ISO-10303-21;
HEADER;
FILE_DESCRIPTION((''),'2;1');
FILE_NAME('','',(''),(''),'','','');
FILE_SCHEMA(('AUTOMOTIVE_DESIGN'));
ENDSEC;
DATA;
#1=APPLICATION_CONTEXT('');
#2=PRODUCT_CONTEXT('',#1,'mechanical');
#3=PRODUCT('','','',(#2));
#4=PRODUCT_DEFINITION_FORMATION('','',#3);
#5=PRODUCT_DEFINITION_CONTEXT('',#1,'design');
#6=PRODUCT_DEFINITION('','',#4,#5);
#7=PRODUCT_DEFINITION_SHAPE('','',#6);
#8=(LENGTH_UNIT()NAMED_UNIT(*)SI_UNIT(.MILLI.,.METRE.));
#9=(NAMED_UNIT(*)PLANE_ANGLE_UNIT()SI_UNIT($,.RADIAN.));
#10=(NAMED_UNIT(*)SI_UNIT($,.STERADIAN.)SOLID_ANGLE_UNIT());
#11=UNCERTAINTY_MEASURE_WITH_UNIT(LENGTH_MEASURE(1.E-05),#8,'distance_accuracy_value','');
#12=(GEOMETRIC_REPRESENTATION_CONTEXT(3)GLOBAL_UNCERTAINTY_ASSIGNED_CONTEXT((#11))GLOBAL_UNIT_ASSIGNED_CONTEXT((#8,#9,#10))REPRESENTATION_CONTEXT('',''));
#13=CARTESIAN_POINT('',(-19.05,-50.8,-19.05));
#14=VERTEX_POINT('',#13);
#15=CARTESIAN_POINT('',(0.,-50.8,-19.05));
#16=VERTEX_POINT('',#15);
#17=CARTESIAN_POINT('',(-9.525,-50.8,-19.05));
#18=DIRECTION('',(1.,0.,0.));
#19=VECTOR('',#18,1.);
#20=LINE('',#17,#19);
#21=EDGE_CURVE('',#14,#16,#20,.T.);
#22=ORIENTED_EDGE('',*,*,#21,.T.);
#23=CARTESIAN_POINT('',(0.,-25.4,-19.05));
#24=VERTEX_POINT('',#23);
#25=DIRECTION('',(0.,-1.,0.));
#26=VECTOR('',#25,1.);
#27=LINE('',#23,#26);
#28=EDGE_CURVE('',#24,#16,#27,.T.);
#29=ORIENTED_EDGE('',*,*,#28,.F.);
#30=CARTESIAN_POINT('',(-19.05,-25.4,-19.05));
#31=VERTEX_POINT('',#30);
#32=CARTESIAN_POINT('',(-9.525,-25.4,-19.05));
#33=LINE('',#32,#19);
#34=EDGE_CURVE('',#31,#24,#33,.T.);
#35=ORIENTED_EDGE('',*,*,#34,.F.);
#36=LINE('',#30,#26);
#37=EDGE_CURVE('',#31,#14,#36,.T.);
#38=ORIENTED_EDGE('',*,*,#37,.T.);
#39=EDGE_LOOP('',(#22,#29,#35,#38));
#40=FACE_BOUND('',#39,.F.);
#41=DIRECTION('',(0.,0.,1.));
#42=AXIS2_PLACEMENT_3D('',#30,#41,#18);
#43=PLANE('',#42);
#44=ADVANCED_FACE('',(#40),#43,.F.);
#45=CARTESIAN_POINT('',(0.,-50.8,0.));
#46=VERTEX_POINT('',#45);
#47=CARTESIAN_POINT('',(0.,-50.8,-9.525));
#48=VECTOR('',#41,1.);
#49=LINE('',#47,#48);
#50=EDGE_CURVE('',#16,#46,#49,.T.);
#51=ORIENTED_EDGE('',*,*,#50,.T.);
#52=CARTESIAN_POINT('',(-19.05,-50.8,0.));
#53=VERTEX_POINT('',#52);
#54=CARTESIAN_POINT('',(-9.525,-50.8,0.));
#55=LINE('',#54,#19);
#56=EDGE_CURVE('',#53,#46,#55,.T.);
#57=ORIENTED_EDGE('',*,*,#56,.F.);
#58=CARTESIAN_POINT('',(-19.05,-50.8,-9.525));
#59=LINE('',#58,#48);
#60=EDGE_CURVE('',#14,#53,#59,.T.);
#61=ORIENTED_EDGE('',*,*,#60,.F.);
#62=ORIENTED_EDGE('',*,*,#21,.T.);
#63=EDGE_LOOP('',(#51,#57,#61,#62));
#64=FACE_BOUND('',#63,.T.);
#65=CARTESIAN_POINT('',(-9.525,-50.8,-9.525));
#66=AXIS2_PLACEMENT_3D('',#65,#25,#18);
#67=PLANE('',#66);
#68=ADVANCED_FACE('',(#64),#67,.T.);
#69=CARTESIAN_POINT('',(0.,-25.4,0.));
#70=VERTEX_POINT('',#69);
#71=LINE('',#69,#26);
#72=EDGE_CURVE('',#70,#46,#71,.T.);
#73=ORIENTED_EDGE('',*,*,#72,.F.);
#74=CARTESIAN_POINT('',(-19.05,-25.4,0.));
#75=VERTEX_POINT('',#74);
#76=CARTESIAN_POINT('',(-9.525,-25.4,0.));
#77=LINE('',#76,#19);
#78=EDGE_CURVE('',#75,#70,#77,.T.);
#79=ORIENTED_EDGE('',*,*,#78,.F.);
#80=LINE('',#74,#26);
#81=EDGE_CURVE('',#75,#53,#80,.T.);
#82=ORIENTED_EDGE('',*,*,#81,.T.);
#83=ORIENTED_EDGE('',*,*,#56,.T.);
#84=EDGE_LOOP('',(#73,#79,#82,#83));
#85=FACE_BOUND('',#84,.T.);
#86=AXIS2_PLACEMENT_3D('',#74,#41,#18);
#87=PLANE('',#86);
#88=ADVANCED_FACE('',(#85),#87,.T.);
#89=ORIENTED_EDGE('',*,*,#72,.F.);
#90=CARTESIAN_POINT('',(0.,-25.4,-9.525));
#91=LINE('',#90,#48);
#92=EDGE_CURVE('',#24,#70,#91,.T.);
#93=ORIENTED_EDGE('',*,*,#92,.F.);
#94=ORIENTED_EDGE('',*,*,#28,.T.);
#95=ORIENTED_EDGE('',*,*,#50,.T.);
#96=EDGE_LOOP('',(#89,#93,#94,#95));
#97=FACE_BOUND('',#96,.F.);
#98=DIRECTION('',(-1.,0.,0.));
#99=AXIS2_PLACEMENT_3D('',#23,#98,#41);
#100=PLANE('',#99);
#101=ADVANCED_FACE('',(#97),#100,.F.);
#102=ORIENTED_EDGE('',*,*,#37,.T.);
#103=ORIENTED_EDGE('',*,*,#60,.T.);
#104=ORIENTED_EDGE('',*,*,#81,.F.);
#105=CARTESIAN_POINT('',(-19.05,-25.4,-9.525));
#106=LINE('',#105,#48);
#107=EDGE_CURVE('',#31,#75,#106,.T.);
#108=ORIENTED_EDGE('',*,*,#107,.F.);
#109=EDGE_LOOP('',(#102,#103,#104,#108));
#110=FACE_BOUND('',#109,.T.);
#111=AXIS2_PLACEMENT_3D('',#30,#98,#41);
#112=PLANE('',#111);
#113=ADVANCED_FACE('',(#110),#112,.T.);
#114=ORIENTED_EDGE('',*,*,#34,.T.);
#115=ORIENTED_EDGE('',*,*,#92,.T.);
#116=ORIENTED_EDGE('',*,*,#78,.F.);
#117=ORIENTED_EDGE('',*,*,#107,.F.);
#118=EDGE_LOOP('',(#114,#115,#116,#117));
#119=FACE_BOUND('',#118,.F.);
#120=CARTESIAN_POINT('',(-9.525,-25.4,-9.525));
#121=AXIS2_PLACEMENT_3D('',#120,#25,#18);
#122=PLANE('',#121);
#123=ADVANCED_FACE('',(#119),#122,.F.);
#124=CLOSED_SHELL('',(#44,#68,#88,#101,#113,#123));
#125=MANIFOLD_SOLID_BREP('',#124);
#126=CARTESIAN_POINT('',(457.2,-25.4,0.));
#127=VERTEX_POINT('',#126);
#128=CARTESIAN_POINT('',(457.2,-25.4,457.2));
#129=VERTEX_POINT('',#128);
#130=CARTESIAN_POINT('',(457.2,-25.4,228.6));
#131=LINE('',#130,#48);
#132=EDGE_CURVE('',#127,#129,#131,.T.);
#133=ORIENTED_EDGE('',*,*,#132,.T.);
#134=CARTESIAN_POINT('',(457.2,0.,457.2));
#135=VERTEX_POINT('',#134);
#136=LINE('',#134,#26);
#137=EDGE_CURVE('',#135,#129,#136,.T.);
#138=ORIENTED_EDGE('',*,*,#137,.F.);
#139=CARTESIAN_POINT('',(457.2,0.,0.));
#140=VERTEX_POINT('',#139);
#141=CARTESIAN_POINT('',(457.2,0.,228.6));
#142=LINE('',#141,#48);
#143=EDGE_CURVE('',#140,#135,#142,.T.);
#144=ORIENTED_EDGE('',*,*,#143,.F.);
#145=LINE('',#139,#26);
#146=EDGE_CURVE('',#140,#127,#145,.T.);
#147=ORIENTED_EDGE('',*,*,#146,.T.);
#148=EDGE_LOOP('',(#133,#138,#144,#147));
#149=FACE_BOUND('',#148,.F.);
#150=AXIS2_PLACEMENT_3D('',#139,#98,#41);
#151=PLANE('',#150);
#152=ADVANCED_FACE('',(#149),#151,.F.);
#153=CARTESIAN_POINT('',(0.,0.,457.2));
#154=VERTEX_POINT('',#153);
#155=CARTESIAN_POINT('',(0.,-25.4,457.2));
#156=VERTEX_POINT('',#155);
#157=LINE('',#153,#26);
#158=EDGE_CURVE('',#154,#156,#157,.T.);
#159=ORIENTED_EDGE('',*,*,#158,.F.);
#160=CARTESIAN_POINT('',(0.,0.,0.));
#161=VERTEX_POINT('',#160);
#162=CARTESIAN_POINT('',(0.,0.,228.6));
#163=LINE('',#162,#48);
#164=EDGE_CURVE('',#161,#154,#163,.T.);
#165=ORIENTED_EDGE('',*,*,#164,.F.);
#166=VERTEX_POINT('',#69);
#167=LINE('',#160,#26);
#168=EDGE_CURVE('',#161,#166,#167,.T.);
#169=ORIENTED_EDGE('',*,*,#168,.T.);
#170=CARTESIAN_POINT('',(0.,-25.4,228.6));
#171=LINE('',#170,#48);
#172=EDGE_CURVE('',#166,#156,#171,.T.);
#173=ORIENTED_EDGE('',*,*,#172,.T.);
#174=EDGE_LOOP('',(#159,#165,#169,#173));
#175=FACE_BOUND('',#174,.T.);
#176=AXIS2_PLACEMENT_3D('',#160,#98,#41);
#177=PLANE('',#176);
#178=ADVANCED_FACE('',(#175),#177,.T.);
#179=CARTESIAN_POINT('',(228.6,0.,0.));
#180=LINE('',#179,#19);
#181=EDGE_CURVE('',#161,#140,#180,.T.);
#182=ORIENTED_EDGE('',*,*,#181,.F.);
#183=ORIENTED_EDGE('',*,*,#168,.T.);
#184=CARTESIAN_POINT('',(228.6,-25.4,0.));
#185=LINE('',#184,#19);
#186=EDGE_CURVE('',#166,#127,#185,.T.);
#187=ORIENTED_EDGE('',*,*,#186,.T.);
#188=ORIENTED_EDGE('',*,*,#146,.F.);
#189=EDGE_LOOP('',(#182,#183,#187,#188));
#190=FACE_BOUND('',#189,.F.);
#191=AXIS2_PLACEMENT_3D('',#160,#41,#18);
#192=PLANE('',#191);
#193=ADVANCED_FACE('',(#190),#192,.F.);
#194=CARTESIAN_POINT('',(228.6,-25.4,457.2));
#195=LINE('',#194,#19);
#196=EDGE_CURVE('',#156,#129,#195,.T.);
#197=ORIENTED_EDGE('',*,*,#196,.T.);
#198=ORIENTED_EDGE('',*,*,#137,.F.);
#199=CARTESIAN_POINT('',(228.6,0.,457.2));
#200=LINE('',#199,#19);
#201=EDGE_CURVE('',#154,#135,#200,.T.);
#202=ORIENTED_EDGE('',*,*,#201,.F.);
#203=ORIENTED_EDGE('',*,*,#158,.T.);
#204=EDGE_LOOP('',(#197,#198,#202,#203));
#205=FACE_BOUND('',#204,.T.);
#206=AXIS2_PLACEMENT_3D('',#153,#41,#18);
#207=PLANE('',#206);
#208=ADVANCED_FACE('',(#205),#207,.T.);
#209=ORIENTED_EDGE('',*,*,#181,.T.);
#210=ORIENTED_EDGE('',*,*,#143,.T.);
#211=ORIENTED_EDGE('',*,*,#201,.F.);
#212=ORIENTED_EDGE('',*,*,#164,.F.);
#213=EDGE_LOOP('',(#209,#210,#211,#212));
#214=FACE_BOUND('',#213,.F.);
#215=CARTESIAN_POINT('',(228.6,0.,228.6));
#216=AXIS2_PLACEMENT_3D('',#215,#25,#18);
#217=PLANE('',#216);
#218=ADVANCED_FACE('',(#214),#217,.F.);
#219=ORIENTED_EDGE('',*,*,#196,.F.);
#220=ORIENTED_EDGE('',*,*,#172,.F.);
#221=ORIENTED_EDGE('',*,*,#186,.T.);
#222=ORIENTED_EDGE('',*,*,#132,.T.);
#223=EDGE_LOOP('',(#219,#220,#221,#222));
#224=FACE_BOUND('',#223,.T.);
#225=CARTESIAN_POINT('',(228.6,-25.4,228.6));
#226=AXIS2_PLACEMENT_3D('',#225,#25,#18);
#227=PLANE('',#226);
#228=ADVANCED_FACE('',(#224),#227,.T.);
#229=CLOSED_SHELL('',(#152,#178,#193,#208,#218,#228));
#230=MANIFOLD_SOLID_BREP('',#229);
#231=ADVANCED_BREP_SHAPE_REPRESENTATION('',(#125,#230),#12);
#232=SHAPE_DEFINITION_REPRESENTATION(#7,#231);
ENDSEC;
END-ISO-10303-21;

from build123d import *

# Parameters (mm, degrees)
F0_W     = 457.2
F0_H     = 457.2
F1_DEPTH = 25.4
F2_W     = 19.05
F2_H     = 19.05
F3_DEPTH = 25.4


with BuildPart() as f1:
    # F0 (on Front) → F1 (new body)
    with BuildSketch(Plane.XZ):
        with Locations((228.6, 228.6)):
            Rectangle(F0_W, F0_H)
    extrude(amount=F1_DEPTH)


with BuildPart() as f3:
    # F2 (on face) → F3 (new body)
    with BuildSketch(Plane.XZ.offset(25.4)):
        with Locations((-9.525, -9.525)):
            Rectangle(F2_W, F2_H)
    extrude(amount=F3_DEPTH)


solid = Compound([f1.part, f3.part])
